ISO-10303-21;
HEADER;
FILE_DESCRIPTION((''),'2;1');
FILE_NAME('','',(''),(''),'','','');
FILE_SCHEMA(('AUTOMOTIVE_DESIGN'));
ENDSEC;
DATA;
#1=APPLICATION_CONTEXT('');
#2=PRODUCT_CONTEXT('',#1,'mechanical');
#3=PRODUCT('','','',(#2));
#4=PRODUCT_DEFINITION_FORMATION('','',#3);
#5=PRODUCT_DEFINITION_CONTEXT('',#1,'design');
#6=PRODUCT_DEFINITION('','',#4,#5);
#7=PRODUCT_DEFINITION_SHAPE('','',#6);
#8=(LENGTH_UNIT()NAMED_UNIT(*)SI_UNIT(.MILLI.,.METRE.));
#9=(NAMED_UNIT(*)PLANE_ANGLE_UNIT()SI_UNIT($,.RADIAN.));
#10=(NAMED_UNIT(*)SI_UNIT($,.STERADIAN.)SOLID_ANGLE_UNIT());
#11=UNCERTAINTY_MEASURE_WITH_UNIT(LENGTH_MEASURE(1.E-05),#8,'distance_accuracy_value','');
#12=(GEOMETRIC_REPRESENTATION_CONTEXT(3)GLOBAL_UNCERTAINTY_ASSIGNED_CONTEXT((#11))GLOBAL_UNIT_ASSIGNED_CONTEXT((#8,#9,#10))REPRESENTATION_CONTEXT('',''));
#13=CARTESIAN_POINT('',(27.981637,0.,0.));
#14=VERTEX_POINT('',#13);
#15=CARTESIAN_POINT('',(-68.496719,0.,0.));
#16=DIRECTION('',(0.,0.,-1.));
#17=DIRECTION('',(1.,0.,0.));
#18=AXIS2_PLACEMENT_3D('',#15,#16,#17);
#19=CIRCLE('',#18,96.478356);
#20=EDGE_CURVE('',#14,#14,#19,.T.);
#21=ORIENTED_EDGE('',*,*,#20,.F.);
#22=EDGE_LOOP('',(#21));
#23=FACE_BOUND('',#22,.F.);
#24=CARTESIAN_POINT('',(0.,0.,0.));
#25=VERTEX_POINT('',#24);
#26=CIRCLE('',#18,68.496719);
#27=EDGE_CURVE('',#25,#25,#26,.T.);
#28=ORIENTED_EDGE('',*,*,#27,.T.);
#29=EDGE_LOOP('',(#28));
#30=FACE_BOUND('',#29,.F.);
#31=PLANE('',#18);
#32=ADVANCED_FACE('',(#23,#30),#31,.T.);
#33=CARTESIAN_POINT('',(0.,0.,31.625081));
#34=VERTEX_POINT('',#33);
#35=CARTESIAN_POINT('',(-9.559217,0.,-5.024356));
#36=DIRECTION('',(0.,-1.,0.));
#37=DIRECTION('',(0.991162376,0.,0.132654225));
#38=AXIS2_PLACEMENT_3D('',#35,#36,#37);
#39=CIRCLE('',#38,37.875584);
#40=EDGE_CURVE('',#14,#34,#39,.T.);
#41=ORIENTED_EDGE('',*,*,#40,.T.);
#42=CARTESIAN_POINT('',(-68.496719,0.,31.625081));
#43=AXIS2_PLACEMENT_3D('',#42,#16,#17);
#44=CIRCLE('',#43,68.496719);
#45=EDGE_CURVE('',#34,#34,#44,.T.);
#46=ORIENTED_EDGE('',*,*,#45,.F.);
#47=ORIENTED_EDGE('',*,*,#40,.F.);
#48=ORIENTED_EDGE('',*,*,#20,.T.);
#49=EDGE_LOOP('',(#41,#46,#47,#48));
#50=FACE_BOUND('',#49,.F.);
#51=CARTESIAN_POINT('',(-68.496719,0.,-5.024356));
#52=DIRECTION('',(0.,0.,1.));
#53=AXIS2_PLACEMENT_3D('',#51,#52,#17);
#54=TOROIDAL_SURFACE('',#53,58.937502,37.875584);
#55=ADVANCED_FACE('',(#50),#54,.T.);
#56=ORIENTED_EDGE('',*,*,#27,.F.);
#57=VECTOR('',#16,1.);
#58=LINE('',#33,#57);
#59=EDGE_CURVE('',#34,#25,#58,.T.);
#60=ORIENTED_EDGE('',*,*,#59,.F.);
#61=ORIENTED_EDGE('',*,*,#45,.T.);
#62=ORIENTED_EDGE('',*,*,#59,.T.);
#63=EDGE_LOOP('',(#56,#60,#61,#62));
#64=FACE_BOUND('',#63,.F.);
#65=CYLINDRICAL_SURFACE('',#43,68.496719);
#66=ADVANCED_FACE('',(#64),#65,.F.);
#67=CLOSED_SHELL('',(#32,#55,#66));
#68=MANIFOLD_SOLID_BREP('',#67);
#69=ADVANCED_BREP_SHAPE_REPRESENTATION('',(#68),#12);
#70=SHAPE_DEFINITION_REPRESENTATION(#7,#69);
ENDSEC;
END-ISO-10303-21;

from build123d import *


with BuildPart() as f2:
    # F0 (on Front) → F2 (revolve)
    with BuildSketch(Plane.XZ):
        with BuildLine():
            ThreePointArc((27.981637, 0), (18.806971, 20.073836), (0, 31.625081))
            Line((0, 31.625081), (0, 0))
            Line((0, 0), (27.981637, 0))
        make_face()
    revolve(axis=Axis((-68.496719, 0, 10.638852), (0, 0, -1)))


solid = f2.part
